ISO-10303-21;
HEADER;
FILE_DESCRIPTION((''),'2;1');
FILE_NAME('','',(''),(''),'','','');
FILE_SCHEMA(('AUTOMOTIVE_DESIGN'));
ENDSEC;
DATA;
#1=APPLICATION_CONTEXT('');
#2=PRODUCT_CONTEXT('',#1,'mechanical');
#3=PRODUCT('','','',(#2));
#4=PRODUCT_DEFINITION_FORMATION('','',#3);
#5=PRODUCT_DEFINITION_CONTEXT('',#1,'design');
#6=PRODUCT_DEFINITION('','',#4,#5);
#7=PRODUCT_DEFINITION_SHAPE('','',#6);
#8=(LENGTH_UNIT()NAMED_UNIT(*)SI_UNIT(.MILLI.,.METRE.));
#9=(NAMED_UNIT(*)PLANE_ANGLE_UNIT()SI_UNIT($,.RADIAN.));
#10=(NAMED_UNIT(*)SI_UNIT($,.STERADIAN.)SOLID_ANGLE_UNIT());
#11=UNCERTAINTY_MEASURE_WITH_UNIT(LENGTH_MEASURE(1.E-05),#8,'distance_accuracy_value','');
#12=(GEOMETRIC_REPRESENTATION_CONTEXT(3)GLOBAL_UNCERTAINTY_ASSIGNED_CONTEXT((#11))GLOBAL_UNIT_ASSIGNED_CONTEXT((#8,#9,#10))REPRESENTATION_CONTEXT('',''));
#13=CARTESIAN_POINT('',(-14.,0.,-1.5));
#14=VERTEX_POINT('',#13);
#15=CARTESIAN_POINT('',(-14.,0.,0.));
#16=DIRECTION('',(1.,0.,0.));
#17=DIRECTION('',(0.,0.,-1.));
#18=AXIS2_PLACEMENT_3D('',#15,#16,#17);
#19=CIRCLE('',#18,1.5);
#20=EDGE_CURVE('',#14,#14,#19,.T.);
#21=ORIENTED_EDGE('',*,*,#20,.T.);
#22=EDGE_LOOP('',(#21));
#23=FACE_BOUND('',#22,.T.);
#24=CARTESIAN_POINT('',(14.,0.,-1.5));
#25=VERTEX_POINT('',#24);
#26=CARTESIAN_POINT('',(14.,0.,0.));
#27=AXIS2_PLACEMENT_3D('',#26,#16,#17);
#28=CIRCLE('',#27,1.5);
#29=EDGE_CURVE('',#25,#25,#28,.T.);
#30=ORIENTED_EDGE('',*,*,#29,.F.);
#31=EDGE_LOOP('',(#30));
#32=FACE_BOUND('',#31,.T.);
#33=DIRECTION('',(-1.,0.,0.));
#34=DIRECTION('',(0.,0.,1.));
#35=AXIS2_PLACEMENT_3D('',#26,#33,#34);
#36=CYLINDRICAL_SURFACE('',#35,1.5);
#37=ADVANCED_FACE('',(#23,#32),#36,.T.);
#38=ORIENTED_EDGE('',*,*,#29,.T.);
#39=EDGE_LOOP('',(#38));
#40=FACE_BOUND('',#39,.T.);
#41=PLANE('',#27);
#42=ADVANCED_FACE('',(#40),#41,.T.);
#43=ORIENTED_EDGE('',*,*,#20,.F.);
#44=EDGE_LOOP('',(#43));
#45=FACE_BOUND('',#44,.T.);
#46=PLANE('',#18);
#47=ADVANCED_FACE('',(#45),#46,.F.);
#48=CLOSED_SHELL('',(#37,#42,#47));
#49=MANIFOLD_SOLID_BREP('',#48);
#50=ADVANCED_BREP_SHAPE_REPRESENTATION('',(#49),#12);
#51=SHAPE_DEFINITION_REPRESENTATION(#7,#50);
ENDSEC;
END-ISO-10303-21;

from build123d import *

# Parameters (mm, degrees)
SKETCH1_R           = 1.5
BOSS_EXTRUDE1_DEPTH = 14


with BuildPart() as part:
    # Sketch1 → Boss-Extrude1 (new body, symmetric)
    with BuildSketch(Plane(origin=(0, 0, 0), x_dir=(0, 0, -1), z_dir=(1, 0, 0))):
        Circle(SKETCH1_R)
    extrude(amount=BOSS_EXTRUDE1_DEPTH, both=True)


solid = part.part
